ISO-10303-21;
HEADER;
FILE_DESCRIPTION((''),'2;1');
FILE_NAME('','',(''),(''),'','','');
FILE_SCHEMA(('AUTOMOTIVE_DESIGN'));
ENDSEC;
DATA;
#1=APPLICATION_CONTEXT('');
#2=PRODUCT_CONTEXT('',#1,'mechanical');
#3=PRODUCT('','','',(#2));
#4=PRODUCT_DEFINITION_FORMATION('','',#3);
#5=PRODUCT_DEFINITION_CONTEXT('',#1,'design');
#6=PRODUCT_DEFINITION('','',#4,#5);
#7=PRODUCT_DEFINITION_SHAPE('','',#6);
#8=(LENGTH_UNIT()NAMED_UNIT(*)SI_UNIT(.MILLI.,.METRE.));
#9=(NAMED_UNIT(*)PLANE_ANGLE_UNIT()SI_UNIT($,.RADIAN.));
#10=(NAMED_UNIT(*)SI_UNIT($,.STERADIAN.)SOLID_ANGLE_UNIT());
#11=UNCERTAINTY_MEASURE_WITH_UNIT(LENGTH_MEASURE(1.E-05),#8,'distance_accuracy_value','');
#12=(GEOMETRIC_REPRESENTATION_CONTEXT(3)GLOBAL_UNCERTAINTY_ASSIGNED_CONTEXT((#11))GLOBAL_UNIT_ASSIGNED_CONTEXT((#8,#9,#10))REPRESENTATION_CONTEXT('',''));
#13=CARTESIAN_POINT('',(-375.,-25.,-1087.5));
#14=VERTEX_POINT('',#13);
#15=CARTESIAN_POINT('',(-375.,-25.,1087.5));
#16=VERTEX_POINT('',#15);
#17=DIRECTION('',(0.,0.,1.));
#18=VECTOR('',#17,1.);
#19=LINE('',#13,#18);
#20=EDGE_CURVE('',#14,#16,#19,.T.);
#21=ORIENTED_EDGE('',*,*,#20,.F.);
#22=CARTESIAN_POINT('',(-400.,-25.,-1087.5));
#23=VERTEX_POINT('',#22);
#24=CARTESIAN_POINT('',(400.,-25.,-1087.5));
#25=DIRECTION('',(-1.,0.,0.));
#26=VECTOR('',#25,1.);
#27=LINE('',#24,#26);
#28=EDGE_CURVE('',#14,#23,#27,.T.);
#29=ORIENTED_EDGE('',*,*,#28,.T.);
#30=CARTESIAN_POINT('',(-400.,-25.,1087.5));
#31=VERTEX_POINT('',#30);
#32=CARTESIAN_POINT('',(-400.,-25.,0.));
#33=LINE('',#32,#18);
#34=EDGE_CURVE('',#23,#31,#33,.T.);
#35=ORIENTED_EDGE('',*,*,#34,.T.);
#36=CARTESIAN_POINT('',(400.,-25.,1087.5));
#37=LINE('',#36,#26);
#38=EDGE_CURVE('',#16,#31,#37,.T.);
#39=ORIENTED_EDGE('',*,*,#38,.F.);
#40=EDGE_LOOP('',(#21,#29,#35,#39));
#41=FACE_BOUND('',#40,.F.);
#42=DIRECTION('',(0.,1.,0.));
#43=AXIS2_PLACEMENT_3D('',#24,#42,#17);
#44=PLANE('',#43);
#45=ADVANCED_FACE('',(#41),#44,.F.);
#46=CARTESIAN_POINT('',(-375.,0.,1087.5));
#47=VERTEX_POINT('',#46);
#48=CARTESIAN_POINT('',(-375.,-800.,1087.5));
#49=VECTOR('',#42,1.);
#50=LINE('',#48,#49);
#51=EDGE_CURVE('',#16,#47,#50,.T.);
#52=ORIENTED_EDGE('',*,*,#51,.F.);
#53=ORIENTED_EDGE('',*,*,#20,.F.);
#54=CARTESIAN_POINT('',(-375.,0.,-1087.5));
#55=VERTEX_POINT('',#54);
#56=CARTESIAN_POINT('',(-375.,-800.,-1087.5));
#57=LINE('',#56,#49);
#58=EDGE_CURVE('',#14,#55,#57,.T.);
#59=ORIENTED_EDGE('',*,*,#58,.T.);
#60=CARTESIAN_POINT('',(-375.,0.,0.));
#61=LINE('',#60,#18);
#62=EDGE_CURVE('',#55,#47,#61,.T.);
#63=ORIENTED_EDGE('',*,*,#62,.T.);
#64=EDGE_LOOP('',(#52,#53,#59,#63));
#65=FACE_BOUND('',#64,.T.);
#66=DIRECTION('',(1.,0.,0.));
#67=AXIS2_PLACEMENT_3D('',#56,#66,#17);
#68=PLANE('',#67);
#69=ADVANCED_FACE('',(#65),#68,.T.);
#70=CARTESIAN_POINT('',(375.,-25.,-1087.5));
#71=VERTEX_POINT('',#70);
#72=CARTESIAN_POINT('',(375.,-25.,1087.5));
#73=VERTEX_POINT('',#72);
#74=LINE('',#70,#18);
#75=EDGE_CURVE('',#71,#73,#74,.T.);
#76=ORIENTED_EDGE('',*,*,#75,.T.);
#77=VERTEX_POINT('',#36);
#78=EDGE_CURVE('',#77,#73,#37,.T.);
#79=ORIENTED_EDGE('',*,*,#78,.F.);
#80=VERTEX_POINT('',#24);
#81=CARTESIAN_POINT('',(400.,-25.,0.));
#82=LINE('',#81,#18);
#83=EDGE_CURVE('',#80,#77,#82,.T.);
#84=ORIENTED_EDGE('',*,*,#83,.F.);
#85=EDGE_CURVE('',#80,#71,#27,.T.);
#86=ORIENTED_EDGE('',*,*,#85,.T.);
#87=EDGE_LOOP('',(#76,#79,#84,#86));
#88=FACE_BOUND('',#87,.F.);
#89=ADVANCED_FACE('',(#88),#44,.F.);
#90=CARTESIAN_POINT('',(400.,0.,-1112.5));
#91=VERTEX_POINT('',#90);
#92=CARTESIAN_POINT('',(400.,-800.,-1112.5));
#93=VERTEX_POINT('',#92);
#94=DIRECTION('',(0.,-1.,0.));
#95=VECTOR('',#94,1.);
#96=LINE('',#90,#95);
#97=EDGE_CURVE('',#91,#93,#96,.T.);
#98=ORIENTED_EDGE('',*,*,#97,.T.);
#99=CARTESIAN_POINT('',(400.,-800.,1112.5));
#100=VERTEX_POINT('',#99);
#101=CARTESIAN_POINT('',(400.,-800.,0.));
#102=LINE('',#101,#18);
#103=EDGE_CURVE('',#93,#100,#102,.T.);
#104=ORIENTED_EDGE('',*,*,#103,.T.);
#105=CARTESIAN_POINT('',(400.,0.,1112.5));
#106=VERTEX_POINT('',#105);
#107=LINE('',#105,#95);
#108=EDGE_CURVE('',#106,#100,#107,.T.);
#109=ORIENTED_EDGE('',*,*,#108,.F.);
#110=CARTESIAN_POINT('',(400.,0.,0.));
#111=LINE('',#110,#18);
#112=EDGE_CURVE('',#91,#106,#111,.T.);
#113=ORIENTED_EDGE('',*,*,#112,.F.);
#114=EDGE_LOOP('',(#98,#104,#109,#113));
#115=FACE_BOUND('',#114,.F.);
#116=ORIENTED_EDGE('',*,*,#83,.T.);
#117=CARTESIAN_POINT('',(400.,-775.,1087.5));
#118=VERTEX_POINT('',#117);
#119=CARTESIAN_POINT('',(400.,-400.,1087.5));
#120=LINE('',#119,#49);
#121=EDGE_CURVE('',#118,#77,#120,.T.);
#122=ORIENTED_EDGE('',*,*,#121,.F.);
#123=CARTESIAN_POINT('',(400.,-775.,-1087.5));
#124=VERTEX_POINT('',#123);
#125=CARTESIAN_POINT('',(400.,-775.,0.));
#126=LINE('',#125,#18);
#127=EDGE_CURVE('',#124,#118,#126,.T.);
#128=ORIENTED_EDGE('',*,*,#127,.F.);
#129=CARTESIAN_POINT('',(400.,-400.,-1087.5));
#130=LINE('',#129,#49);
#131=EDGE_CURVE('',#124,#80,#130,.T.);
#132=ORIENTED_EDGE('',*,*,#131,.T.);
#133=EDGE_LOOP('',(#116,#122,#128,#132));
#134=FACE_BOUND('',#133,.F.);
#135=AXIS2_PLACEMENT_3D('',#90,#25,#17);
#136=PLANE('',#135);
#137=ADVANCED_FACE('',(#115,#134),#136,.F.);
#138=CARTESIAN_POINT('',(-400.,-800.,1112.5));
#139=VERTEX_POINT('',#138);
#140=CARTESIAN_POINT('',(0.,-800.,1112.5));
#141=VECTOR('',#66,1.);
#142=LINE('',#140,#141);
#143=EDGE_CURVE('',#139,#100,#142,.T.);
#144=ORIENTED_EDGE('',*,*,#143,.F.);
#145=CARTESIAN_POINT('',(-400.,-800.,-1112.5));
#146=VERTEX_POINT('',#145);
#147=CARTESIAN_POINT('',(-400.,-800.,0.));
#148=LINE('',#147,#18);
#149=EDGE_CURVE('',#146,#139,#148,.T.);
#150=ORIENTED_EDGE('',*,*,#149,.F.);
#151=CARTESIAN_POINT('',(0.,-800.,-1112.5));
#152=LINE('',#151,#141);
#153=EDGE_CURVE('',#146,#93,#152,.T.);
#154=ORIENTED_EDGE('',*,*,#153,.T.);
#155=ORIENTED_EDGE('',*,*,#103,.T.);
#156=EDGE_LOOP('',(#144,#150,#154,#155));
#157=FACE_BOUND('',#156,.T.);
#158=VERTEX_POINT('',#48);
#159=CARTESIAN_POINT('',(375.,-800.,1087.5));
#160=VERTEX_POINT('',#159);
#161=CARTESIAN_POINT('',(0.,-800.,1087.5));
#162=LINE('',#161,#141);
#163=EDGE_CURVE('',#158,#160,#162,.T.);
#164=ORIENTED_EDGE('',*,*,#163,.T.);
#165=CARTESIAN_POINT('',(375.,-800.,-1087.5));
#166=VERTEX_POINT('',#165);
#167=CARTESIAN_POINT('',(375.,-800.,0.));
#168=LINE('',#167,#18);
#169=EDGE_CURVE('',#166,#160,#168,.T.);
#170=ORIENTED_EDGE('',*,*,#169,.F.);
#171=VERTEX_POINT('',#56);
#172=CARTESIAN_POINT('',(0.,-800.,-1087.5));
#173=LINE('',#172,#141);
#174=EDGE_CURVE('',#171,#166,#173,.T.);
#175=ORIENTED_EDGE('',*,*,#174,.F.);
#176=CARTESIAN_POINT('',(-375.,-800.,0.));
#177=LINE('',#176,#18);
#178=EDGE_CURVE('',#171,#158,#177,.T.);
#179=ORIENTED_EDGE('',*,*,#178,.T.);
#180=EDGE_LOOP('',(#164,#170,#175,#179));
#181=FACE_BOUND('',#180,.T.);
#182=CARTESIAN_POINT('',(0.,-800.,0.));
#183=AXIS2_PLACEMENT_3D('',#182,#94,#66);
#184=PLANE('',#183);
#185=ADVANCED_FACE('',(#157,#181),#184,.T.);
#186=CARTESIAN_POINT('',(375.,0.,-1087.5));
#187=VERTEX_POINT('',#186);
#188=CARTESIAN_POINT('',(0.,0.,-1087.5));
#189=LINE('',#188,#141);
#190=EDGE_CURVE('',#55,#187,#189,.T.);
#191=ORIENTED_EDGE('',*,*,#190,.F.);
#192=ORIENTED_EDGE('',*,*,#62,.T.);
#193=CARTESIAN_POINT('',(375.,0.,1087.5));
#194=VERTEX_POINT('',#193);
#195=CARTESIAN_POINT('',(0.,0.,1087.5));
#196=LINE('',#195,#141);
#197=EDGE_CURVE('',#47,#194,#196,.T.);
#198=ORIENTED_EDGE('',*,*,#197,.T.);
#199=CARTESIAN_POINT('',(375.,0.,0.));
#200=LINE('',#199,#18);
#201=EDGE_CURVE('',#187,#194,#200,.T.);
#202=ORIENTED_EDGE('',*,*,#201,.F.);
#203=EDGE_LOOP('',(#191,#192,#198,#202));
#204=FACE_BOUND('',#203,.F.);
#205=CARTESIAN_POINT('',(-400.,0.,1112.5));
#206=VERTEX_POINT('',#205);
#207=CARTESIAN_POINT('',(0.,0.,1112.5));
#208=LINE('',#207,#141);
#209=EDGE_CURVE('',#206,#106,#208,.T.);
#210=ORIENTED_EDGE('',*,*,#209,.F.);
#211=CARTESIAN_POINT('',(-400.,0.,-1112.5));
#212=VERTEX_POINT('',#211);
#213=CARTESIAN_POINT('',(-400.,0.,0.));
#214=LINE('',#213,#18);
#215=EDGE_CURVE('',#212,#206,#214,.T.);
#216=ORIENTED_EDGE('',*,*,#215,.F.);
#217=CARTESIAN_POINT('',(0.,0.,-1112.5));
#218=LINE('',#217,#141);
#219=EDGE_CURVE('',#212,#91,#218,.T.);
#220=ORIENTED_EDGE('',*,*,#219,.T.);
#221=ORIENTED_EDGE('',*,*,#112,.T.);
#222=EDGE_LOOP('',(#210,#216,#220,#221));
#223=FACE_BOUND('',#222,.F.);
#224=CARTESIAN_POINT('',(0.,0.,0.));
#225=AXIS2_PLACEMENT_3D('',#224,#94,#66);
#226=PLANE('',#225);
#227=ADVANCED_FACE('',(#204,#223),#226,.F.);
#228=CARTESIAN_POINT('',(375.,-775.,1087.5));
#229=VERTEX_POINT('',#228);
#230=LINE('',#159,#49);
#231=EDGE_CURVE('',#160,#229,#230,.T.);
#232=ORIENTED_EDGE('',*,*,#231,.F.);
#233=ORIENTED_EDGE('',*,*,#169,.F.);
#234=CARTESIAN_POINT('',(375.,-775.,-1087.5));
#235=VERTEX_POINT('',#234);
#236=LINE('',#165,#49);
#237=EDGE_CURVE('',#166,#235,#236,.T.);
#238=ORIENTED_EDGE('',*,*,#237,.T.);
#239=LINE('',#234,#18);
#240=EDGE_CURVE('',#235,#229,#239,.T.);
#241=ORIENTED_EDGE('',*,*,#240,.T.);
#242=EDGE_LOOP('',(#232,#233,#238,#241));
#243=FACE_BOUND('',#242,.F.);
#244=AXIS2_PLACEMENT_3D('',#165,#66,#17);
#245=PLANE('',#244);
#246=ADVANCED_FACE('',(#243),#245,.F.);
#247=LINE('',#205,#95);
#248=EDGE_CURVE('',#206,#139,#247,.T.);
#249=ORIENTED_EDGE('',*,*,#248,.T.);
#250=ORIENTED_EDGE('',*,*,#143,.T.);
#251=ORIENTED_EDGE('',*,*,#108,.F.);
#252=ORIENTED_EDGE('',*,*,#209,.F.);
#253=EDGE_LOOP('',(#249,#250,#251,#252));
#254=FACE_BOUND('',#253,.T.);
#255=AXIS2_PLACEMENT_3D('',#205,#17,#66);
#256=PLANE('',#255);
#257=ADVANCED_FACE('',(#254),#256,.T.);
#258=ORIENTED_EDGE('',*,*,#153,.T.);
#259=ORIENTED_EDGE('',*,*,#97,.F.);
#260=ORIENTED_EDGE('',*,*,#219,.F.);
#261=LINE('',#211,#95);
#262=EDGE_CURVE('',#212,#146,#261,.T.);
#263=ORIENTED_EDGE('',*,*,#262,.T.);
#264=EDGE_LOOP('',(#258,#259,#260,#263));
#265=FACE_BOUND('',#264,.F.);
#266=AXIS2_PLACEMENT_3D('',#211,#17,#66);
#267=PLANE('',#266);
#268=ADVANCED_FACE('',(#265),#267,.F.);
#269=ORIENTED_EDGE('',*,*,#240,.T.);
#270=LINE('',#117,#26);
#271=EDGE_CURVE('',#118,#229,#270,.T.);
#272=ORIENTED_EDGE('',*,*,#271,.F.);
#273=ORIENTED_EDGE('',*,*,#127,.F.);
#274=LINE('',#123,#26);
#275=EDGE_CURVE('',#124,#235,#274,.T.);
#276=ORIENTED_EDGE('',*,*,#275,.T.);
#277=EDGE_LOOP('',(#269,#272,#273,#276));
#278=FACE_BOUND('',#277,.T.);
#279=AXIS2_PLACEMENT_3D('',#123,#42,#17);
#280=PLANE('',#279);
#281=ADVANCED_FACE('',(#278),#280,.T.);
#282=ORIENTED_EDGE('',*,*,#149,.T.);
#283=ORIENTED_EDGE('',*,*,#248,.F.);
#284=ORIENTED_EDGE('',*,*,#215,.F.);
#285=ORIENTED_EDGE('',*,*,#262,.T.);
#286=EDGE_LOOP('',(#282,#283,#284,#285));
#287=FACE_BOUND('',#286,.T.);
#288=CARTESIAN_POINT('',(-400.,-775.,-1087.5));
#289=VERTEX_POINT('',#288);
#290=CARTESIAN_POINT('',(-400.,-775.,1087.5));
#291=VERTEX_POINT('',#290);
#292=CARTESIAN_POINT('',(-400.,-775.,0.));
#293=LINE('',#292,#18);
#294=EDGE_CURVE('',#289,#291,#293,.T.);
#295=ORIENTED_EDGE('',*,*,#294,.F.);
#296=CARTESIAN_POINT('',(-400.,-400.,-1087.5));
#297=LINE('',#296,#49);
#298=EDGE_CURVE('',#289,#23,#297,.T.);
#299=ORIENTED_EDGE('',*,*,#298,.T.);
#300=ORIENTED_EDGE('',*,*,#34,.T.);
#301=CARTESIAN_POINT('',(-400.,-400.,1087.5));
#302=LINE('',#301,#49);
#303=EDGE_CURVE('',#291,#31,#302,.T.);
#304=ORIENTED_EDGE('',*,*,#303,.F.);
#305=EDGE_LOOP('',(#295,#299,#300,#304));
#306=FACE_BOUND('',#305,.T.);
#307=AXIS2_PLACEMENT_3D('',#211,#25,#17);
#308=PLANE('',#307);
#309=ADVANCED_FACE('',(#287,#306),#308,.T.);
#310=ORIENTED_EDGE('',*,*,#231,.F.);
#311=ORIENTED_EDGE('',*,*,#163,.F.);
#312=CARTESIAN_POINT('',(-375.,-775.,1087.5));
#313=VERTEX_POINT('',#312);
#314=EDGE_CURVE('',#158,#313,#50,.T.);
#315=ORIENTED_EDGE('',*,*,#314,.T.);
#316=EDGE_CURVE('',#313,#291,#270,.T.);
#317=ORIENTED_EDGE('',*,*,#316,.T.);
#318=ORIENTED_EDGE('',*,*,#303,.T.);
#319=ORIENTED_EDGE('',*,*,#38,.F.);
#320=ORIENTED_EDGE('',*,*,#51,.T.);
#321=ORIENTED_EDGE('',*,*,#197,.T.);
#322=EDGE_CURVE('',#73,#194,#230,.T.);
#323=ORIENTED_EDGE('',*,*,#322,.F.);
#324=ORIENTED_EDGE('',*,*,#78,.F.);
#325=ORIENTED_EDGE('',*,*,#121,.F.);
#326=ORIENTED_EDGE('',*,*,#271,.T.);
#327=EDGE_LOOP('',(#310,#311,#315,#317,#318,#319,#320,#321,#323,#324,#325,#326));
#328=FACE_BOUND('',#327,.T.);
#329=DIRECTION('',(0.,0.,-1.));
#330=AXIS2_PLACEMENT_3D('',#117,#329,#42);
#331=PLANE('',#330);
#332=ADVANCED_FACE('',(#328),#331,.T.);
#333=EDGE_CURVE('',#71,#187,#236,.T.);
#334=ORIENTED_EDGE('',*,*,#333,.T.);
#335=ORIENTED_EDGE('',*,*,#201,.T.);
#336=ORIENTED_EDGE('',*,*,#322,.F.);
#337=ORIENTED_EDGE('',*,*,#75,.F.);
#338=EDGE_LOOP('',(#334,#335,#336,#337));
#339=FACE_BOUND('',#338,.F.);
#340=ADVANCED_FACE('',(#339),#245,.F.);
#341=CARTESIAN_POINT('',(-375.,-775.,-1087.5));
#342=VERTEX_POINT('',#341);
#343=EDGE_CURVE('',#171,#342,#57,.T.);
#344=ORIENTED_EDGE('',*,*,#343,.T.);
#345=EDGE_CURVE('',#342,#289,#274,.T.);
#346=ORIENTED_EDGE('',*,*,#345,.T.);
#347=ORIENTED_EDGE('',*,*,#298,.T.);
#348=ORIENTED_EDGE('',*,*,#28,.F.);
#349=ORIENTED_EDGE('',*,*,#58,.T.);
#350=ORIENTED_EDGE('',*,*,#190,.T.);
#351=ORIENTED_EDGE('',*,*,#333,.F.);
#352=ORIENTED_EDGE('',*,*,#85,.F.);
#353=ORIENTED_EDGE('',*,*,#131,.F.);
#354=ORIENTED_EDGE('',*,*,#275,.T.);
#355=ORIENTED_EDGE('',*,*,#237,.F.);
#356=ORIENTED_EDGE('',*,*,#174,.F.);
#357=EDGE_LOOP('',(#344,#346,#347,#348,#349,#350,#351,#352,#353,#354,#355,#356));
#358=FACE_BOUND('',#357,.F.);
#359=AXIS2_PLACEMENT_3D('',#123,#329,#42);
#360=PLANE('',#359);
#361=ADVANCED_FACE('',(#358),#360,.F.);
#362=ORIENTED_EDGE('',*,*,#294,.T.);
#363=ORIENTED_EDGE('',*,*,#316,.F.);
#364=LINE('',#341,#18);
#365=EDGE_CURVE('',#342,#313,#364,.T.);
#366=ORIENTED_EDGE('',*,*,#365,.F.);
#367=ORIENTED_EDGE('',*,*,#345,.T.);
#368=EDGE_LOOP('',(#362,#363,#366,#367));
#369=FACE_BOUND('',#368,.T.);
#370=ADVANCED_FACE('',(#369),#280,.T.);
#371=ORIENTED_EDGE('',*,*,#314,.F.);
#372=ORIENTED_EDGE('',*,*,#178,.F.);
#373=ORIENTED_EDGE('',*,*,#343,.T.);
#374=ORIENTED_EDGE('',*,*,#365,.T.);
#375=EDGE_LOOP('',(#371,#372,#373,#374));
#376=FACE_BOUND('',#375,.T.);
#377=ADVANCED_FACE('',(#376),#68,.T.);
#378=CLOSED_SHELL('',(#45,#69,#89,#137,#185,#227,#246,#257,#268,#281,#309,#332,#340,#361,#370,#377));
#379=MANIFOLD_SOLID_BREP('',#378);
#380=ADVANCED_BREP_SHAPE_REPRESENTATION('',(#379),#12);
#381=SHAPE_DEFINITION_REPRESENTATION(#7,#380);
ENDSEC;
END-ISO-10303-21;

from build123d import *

# Parameters (mm, degrees)
F0_W     = 800
F0_H     = 2225
F1_DEPTH = 800
F2_W     = 750
F2_H     = 2175
F3_DEPTH = 800
F4_W     = 750
F4_H     = 2175
F5_DEPTH = 800


with BuildPart() as f1:
    # F0 (on Front) → F1 (new body)
    with BuildSketch(Plane.XZ):
        Rectangle(F0_W, F0_H)
    extrude(amount=F1_DEPTH)

    # F2 (on face) → F3 (cut, through all)
    with BuildSketch(Plane.XZ.offset(800)):
        Rectangle(F2_W, F2_H)
    extrude(amount=-F3_DEPTH, mode=Mode.SUBTRACT)

    # F4 (on face) → F5 (cut, through all)
    with BuildSketch(Plane.YZ.offset(400)):
        with Locations((-400, 0)):
            Rectangle(F4_W, F4_H)
    extrude(amount=-F5_DEPTH, mode=Mode.SUBTRACT)


solid = f1.part
